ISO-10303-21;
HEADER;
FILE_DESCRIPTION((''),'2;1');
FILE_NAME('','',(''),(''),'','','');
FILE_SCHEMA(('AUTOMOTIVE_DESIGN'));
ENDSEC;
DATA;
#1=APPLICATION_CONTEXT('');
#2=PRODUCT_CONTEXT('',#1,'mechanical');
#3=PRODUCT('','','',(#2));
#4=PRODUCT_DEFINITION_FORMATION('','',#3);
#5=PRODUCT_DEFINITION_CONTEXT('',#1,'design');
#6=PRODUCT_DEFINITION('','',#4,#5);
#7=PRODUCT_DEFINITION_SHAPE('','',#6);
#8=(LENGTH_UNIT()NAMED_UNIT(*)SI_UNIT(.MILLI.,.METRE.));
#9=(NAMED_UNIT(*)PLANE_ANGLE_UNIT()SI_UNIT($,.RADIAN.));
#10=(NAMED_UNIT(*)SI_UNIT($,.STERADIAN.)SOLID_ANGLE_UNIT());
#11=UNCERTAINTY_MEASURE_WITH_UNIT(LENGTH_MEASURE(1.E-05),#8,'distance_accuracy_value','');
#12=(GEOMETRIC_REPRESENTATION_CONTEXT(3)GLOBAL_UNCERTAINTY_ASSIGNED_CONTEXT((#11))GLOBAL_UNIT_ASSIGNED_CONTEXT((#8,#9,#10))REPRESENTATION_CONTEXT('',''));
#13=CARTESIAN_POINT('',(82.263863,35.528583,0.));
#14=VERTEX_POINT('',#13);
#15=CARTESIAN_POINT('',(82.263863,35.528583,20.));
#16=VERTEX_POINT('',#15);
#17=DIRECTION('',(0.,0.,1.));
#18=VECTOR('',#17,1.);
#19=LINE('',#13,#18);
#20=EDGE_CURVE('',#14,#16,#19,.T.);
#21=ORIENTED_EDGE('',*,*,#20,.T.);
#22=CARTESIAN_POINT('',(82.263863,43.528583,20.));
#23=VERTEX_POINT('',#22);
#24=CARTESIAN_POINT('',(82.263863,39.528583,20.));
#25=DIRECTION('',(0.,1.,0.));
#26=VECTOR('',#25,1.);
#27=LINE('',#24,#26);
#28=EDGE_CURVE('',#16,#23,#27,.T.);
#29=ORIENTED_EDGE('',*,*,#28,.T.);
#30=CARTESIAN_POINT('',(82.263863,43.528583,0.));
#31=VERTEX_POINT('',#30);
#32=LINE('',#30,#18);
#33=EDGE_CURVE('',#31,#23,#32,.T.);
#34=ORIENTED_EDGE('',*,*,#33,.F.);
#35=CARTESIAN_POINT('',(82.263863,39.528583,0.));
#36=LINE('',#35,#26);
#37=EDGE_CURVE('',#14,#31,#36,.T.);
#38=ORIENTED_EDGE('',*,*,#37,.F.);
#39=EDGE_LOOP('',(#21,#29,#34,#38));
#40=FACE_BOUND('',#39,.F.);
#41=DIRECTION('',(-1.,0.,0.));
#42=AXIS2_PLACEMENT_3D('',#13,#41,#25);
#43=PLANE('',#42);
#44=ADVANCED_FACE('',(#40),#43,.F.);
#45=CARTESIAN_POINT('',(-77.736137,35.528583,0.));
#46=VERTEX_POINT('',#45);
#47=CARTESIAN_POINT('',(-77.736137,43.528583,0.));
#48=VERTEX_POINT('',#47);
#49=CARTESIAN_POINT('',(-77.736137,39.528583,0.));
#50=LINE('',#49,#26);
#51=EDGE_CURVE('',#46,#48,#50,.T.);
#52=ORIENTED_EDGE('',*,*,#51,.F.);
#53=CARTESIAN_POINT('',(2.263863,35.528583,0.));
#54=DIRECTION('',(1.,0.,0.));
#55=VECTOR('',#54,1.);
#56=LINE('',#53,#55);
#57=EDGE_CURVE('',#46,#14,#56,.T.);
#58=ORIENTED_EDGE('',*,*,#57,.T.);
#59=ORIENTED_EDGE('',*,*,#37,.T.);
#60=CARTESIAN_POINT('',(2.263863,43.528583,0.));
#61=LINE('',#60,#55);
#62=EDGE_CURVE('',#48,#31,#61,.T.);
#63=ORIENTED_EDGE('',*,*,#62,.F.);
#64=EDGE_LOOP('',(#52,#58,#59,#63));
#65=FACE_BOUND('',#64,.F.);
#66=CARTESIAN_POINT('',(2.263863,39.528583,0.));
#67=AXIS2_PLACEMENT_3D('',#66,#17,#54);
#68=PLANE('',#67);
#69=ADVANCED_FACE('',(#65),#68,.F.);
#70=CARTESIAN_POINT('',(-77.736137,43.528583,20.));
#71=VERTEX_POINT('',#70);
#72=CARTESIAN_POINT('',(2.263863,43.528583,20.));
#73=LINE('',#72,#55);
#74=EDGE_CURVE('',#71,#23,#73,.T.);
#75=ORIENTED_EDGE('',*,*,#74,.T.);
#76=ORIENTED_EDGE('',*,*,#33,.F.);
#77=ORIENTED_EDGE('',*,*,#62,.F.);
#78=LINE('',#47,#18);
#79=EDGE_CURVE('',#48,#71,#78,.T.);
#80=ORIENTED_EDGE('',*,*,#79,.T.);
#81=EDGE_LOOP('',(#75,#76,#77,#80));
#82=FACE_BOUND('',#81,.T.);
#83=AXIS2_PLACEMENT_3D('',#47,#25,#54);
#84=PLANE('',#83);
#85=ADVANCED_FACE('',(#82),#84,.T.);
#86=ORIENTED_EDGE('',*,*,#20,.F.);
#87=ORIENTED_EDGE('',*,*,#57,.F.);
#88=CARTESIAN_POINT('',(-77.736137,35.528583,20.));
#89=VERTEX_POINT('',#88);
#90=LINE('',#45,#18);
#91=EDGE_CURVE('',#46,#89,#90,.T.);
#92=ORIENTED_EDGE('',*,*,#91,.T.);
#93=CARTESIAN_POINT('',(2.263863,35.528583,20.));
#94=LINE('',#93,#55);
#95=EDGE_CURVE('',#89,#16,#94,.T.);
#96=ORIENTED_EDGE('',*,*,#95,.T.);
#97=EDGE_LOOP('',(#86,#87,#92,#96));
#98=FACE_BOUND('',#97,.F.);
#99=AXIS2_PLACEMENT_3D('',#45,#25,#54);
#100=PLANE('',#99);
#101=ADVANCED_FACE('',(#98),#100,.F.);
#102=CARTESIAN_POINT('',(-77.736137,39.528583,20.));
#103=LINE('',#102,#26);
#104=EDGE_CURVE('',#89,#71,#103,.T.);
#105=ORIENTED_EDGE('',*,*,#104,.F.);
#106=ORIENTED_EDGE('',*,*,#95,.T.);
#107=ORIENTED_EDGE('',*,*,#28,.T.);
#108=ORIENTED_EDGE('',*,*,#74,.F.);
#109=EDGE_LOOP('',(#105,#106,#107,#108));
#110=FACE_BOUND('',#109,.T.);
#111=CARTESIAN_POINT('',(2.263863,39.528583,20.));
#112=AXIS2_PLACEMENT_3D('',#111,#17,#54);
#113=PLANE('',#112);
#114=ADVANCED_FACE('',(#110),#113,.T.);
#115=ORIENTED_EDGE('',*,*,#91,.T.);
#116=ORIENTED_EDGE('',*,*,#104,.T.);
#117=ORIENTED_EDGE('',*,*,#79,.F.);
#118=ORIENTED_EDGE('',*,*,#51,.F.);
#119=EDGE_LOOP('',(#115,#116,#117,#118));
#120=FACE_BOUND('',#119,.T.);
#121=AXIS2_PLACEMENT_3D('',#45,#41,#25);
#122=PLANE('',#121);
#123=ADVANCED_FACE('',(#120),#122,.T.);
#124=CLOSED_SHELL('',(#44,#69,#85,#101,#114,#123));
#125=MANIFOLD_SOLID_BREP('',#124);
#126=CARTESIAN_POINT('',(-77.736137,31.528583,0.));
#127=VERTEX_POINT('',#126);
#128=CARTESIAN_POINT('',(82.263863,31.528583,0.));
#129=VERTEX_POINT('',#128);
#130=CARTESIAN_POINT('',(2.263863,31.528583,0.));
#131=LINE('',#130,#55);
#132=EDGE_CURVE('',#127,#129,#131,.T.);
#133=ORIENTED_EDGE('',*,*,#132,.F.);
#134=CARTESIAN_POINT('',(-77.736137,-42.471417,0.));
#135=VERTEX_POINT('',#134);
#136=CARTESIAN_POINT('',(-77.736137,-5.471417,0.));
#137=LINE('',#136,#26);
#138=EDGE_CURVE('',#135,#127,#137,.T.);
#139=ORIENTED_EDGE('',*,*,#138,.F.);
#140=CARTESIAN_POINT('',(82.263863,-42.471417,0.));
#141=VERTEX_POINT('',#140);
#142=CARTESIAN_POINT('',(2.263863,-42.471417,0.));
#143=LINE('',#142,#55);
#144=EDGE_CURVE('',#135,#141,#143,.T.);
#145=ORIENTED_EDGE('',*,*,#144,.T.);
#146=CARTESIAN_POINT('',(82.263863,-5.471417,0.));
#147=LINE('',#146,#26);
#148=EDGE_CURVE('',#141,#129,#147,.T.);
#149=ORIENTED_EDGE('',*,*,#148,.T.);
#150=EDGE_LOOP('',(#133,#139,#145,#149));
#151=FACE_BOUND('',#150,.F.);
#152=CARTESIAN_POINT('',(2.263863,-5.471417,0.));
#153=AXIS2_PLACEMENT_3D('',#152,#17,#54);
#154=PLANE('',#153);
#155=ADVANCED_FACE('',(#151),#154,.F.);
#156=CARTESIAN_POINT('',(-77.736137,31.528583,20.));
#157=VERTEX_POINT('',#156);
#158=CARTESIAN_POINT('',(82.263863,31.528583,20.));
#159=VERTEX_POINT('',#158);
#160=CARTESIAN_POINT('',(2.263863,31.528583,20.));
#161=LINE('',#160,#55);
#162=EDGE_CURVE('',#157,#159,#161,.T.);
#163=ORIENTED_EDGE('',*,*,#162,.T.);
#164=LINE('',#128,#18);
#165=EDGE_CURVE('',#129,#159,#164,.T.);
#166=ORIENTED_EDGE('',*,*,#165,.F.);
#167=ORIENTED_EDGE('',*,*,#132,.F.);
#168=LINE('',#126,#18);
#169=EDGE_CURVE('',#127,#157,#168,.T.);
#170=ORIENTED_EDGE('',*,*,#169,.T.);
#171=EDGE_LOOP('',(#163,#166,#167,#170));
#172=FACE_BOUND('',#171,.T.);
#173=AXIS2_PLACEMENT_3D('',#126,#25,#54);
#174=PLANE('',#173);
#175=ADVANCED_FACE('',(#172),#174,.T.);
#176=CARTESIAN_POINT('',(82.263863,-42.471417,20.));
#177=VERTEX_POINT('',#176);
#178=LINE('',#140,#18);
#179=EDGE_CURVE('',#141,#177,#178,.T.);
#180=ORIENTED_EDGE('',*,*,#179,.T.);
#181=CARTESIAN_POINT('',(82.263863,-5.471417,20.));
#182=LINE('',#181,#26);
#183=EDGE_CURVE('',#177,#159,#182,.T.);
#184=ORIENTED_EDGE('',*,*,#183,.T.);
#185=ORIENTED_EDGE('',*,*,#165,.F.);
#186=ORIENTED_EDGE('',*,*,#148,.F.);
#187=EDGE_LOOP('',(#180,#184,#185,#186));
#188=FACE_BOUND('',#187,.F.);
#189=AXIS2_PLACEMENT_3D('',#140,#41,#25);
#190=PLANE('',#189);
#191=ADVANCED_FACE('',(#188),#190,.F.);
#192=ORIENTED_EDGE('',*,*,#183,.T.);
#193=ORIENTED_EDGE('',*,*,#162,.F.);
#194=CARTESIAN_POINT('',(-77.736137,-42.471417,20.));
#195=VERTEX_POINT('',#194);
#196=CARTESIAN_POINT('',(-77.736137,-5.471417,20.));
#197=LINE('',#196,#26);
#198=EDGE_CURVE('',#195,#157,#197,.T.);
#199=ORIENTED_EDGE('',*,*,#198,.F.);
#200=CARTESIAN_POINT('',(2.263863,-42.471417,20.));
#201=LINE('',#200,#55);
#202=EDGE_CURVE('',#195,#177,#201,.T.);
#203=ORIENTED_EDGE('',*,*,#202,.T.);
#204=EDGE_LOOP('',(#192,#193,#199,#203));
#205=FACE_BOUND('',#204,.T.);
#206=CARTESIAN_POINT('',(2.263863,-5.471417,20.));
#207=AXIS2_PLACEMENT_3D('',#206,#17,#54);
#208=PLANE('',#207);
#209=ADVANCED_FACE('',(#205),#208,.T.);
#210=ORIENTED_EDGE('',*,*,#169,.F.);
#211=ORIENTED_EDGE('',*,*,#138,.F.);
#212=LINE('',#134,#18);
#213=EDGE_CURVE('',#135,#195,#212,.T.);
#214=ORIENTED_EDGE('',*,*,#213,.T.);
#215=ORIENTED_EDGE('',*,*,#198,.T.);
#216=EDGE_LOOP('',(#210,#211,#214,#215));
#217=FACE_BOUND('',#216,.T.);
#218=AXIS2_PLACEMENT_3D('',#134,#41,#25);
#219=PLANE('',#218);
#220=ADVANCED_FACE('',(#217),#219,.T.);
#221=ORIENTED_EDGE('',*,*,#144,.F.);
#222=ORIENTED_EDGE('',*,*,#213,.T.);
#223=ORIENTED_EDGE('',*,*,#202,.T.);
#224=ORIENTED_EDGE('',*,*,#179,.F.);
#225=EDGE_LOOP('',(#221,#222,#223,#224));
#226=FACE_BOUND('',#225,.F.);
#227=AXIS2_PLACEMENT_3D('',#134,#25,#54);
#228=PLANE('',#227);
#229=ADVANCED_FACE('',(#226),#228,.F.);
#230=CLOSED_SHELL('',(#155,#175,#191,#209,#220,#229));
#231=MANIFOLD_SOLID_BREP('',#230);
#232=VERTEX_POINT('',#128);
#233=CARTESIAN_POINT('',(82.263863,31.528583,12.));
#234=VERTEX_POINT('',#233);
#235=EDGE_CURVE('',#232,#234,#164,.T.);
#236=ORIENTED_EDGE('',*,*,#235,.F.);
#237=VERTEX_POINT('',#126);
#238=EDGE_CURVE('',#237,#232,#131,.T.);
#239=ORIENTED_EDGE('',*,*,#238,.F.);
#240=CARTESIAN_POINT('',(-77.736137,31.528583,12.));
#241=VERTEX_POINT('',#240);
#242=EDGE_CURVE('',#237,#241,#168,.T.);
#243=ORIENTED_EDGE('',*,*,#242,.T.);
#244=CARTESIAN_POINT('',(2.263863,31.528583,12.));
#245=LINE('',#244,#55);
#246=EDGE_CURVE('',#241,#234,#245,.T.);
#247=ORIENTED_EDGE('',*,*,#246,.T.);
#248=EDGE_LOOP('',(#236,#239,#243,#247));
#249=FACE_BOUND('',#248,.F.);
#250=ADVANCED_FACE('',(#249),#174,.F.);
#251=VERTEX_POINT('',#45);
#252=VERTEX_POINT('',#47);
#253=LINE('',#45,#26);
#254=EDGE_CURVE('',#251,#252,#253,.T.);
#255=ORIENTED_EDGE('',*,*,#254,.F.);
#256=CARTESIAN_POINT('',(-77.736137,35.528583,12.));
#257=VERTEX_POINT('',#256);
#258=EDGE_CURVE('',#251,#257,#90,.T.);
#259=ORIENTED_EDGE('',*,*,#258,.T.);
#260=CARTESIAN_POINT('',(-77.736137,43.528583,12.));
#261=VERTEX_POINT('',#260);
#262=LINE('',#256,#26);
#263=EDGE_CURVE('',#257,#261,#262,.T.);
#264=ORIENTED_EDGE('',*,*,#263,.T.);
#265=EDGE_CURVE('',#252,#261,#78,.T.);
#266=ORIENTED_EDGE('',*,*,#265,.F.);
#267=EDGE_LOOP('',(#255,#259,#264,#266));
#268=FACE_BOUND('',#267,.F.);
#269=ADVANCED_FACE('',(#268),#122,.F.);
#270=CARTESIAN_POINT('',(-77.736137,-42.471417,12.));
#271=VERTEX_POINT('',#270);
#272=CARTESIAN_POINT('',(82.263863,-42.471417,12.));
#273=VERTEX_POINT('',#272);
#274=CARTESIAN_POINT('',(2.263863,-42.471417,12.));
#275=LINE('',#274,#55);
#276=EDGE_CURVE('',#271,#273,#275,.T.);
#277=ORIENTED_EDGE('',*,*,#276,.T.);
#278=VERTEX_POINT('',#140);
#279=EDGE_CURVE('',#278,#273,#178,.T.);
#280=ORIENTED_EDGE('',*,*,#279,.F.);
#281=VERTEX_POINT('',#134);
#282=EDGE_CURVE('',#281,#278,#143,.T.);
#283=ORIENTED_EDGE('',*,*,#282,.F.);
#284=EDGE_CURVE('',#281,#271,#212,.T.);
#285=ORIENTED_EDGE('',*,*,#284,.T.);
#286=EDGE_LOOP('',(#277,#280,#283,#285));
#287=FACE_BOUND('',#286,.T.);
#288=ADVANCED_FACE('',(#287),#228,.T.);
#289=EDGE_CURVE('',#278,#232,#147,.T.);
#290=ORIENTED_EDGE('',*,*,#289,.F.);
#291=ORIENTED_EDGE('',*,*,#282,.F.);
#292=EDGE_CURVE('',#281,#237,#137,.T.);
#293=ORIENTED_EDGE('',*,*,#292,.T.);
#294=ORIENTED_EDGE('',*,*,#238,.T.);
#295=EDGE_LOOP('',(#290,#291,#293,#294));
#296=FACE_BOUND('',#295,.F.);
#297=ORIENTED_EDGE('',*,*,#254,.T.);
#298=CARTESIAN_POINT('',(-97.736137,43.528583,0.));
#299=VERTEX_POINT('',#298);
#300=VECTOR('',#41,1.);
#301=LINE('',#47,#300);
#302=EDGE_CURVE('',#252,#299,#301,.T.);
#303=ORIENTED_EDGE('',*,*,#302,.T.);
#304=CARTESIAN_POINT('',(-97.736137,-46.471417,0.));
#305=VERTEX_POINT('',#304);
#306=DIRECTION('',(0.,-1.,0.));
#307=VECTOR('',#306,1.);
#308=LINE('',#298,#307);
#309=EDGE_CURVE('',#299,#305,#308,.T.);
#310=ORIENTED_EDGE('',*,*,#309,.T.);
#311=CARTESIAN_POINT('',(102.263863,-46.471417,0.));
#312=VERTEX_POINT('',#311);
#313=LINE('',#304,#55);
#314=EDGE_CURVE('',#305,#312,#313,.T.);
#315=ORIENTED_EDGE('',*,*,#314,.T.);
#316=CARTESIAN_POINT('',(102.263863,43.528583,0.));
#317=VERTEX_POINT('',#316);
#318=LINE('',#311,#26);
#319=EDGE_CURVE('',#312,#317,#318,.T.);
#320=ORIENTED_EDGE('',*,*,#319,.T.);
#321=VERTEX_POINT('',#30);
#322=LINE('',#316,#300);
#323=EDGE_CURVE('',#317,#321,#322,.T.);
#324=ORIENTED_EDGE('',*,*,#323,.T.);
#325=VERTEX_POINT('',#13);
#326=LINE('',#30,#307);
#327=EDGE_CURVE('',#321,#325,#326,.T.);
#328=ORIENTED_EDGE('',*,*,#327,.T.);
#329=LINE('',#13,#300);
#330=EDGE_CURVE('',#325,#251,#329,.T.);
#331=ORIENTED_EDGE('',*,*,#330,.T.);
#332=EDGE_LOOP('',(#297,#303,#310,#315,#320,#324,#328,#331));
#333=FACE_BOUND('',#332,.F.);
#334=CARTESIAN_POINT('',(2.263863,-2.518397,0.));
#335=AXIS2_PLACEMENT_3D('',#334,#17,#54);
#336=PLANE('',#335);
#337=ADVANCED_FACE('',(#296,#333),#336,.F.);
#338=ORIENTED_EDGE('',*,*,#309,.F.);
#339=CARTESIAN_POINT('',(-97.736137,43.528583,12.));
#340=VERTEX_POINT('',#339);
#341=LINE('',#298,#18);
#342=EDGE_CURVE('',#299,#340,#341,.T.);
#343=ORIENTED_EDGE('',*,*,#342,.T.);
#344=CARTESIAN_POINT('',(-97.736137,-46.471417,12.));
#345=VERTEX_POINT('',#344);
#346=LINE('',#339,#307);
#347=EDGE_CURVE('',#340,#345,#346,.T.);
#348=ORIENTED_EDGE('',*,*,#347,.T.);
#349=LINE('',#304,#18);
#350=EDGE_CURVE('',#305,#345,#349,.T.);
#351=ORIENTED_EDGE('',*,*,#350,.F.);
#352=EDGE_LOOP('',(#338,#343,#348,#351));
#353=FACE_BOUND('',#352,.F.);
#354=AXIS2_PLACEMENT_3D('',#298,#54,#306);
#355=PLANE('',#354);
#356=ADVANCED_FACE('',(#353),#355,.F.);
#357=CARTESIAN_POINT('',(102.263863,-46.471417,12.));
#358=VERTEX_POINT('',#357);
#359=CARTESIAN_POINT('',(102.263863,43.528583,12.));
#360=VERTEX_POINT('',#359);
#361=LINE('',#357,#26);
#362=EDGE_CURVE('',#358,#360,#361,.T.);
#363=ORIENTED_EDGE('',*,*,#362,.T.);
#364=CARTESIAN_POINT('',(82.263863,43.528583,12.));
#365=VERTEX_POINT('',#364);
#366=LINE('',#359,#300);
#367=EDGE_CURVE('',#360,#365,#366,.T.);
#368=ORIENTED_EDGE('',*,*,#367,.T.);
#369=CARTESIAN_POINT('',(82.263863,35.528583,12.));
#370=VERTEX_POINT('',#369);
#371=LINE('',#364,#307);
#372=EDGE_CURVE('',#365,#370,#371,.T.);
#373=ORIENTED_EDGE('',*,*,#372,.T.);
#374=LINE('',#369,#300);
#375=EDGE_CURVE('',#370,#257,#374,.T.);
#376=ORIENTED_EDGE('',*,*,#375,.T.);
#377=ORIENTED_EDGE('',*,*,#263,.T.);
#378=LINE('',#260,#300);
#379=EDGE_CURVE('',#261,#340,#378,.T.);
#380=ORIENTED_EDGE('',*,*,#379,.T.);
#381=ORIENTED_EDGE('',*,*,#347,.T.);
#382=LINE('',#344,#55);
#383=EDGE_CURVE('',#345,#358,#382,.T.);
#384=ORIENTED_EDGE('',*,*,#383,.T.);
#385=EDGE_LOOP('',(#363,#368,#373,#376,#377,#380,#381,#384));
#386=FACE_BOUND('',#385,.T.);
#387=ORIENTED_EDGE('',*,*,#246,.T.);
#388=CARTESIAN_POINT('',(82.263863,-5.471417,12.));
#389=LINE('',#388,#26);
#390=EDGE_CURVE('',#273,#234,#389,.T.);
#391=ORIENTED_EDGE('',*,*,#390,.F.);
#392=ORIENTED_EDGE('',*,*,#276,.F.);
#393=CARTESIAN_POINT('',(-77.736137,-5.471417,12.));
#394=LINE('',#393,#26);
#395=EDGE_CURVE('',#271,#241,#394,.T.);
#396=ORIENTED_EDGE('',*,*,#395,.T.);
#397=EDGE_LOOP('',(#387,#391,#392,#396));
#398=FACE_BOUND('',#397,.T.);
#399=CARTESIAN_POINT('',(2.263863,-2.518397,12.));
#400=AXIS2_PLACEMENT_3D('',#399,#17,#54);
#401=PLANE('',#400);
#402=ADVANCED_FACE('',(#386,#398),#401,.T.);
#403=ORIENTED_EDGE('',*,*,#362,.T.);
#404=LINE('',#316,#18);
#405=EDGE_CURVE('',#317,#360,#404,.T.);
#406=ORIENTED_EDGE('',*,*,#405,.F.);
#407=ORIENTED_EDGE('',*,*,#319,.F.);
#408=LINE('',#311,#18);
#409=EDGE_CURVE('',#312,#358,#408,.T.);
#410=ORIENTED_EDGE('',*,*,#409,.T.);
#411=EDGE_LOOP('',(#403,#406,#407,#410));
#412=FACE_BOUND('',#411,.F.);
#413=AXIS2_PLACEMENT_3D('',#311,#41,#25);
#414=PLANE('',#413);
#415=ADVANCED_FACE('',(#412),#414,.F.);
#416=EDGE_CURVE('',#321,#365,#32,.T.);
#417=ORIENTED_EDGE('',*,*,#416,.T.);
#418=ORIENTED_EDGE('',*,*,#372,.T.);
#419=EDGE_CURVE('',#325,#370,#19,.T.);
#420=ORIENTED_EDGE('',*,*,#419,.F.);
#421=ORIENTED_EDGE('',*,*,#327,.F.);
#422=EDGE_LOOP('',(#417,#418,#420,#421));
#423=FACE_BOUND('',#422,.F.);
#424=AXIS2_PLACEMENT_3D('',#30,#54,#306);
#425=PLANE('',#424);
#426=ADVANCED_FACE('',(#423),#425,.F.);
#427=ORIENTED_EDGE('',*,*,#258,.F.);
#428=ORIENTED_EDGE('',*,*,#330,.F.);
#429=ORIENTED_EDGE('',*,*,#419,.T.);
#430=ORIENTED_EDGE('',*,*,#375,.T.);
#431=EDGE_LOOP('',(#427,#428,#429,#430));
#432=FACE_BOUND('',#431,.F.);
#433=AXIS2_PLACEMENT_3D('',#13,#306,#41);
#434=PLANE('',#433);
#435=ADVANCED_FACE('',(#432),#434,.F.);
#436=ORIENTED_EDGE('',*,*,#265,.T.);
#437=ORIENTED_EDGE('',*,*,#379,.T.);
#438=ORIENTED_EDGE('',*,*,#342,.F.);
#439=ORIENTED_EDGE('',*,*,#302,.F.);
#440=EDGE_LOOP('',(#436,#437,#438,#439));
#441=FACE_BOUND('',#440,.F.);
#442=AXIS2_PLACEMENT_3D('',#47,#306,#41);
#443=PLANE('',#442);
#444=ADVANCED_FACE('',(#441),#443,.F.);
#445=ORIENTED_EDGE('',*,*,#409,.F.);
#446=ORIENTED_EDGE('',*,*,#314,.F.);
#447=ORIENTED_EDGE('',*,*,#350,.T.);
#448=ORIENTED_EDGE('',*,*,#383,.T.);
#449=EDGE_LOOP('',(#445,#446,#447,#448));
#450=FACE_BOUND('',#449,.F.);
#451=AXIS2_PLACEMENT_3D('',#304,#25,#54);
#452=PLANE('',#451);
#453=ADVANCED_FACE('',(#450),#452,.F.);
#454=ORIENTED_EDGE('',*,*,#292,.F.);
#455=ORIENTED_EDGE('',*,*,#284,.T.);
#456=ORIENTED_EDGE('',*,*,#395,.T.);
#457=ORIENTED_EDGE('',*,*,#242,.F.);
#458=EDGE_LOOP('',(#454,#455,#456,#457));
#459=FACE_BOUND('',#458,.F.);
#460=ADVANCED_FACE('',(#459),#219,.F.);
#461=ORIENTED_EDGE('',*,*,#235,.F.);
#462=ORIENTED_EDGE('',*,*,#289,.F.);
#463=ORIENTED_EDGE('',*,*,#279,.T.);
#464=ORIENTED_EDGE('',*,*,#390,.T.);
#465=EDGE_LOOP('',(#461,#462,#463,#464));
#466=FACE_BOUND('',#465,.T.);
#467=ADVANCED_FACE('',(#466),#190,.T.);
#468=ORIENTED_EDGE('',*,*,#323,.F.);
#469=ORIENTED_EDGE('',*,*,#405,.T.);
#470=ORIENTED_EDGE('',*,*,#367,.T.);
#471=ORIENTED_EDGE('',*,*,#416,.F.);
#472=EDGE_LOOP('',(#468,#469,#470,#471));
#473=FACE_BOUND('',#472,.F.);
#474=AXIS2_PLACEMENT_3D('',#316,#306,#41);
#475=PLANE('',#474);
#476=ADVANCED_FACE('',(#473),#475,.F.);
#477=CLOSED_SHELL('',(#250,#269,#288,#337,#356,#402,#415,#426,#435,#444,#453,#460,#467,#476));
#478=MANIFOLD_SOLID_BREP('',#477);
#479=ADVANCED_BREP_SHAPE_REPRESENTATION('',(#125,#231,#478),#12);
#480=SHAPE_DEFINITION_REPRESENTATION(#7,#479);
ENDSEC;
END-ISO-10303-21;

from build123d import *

# Parameters (mm, degrees)
F0_W     = 160
F0_H     = 8
F0_H_2   = 74
F1_DEPTH = 20
F2_DEPTH = 12


with BuildPart() as f1:
    # F0 (on Top) → F1 (new body)
    with BuildSketch(Plane.XY):
        with Locations((2.263863, 39.528583)):
            Rectangle(F0_W, F0_H)
        with Locations((2.263863, -5.471417)):
            Rectangle(F0_W, F0_H_2)
    extrude(amount=F1_DEPTH)


with BuildPart() as f2:
    # F0 (on Top) → F2 (new body)
    with BuildSketch(Plane.XY):
        Polygon((-77.736137, 43.528583), (-97.736137, 43.528583), (-97.736137, -46.471417), (102.263863, -46.471417), (102.263863, 43.528583), (82.263863, 43.528583), (82.263863, 35.528583), (-77.736137, 35.528583), align=None)
        with Locations((2.263863, -5.471417)):
            Rectangle(F0_W, F0_H_2, mode=Mode.SUBTRACT)
    extrude(amount=F2_DEPTH)


solid = Compound([f1.part, f2.part])
